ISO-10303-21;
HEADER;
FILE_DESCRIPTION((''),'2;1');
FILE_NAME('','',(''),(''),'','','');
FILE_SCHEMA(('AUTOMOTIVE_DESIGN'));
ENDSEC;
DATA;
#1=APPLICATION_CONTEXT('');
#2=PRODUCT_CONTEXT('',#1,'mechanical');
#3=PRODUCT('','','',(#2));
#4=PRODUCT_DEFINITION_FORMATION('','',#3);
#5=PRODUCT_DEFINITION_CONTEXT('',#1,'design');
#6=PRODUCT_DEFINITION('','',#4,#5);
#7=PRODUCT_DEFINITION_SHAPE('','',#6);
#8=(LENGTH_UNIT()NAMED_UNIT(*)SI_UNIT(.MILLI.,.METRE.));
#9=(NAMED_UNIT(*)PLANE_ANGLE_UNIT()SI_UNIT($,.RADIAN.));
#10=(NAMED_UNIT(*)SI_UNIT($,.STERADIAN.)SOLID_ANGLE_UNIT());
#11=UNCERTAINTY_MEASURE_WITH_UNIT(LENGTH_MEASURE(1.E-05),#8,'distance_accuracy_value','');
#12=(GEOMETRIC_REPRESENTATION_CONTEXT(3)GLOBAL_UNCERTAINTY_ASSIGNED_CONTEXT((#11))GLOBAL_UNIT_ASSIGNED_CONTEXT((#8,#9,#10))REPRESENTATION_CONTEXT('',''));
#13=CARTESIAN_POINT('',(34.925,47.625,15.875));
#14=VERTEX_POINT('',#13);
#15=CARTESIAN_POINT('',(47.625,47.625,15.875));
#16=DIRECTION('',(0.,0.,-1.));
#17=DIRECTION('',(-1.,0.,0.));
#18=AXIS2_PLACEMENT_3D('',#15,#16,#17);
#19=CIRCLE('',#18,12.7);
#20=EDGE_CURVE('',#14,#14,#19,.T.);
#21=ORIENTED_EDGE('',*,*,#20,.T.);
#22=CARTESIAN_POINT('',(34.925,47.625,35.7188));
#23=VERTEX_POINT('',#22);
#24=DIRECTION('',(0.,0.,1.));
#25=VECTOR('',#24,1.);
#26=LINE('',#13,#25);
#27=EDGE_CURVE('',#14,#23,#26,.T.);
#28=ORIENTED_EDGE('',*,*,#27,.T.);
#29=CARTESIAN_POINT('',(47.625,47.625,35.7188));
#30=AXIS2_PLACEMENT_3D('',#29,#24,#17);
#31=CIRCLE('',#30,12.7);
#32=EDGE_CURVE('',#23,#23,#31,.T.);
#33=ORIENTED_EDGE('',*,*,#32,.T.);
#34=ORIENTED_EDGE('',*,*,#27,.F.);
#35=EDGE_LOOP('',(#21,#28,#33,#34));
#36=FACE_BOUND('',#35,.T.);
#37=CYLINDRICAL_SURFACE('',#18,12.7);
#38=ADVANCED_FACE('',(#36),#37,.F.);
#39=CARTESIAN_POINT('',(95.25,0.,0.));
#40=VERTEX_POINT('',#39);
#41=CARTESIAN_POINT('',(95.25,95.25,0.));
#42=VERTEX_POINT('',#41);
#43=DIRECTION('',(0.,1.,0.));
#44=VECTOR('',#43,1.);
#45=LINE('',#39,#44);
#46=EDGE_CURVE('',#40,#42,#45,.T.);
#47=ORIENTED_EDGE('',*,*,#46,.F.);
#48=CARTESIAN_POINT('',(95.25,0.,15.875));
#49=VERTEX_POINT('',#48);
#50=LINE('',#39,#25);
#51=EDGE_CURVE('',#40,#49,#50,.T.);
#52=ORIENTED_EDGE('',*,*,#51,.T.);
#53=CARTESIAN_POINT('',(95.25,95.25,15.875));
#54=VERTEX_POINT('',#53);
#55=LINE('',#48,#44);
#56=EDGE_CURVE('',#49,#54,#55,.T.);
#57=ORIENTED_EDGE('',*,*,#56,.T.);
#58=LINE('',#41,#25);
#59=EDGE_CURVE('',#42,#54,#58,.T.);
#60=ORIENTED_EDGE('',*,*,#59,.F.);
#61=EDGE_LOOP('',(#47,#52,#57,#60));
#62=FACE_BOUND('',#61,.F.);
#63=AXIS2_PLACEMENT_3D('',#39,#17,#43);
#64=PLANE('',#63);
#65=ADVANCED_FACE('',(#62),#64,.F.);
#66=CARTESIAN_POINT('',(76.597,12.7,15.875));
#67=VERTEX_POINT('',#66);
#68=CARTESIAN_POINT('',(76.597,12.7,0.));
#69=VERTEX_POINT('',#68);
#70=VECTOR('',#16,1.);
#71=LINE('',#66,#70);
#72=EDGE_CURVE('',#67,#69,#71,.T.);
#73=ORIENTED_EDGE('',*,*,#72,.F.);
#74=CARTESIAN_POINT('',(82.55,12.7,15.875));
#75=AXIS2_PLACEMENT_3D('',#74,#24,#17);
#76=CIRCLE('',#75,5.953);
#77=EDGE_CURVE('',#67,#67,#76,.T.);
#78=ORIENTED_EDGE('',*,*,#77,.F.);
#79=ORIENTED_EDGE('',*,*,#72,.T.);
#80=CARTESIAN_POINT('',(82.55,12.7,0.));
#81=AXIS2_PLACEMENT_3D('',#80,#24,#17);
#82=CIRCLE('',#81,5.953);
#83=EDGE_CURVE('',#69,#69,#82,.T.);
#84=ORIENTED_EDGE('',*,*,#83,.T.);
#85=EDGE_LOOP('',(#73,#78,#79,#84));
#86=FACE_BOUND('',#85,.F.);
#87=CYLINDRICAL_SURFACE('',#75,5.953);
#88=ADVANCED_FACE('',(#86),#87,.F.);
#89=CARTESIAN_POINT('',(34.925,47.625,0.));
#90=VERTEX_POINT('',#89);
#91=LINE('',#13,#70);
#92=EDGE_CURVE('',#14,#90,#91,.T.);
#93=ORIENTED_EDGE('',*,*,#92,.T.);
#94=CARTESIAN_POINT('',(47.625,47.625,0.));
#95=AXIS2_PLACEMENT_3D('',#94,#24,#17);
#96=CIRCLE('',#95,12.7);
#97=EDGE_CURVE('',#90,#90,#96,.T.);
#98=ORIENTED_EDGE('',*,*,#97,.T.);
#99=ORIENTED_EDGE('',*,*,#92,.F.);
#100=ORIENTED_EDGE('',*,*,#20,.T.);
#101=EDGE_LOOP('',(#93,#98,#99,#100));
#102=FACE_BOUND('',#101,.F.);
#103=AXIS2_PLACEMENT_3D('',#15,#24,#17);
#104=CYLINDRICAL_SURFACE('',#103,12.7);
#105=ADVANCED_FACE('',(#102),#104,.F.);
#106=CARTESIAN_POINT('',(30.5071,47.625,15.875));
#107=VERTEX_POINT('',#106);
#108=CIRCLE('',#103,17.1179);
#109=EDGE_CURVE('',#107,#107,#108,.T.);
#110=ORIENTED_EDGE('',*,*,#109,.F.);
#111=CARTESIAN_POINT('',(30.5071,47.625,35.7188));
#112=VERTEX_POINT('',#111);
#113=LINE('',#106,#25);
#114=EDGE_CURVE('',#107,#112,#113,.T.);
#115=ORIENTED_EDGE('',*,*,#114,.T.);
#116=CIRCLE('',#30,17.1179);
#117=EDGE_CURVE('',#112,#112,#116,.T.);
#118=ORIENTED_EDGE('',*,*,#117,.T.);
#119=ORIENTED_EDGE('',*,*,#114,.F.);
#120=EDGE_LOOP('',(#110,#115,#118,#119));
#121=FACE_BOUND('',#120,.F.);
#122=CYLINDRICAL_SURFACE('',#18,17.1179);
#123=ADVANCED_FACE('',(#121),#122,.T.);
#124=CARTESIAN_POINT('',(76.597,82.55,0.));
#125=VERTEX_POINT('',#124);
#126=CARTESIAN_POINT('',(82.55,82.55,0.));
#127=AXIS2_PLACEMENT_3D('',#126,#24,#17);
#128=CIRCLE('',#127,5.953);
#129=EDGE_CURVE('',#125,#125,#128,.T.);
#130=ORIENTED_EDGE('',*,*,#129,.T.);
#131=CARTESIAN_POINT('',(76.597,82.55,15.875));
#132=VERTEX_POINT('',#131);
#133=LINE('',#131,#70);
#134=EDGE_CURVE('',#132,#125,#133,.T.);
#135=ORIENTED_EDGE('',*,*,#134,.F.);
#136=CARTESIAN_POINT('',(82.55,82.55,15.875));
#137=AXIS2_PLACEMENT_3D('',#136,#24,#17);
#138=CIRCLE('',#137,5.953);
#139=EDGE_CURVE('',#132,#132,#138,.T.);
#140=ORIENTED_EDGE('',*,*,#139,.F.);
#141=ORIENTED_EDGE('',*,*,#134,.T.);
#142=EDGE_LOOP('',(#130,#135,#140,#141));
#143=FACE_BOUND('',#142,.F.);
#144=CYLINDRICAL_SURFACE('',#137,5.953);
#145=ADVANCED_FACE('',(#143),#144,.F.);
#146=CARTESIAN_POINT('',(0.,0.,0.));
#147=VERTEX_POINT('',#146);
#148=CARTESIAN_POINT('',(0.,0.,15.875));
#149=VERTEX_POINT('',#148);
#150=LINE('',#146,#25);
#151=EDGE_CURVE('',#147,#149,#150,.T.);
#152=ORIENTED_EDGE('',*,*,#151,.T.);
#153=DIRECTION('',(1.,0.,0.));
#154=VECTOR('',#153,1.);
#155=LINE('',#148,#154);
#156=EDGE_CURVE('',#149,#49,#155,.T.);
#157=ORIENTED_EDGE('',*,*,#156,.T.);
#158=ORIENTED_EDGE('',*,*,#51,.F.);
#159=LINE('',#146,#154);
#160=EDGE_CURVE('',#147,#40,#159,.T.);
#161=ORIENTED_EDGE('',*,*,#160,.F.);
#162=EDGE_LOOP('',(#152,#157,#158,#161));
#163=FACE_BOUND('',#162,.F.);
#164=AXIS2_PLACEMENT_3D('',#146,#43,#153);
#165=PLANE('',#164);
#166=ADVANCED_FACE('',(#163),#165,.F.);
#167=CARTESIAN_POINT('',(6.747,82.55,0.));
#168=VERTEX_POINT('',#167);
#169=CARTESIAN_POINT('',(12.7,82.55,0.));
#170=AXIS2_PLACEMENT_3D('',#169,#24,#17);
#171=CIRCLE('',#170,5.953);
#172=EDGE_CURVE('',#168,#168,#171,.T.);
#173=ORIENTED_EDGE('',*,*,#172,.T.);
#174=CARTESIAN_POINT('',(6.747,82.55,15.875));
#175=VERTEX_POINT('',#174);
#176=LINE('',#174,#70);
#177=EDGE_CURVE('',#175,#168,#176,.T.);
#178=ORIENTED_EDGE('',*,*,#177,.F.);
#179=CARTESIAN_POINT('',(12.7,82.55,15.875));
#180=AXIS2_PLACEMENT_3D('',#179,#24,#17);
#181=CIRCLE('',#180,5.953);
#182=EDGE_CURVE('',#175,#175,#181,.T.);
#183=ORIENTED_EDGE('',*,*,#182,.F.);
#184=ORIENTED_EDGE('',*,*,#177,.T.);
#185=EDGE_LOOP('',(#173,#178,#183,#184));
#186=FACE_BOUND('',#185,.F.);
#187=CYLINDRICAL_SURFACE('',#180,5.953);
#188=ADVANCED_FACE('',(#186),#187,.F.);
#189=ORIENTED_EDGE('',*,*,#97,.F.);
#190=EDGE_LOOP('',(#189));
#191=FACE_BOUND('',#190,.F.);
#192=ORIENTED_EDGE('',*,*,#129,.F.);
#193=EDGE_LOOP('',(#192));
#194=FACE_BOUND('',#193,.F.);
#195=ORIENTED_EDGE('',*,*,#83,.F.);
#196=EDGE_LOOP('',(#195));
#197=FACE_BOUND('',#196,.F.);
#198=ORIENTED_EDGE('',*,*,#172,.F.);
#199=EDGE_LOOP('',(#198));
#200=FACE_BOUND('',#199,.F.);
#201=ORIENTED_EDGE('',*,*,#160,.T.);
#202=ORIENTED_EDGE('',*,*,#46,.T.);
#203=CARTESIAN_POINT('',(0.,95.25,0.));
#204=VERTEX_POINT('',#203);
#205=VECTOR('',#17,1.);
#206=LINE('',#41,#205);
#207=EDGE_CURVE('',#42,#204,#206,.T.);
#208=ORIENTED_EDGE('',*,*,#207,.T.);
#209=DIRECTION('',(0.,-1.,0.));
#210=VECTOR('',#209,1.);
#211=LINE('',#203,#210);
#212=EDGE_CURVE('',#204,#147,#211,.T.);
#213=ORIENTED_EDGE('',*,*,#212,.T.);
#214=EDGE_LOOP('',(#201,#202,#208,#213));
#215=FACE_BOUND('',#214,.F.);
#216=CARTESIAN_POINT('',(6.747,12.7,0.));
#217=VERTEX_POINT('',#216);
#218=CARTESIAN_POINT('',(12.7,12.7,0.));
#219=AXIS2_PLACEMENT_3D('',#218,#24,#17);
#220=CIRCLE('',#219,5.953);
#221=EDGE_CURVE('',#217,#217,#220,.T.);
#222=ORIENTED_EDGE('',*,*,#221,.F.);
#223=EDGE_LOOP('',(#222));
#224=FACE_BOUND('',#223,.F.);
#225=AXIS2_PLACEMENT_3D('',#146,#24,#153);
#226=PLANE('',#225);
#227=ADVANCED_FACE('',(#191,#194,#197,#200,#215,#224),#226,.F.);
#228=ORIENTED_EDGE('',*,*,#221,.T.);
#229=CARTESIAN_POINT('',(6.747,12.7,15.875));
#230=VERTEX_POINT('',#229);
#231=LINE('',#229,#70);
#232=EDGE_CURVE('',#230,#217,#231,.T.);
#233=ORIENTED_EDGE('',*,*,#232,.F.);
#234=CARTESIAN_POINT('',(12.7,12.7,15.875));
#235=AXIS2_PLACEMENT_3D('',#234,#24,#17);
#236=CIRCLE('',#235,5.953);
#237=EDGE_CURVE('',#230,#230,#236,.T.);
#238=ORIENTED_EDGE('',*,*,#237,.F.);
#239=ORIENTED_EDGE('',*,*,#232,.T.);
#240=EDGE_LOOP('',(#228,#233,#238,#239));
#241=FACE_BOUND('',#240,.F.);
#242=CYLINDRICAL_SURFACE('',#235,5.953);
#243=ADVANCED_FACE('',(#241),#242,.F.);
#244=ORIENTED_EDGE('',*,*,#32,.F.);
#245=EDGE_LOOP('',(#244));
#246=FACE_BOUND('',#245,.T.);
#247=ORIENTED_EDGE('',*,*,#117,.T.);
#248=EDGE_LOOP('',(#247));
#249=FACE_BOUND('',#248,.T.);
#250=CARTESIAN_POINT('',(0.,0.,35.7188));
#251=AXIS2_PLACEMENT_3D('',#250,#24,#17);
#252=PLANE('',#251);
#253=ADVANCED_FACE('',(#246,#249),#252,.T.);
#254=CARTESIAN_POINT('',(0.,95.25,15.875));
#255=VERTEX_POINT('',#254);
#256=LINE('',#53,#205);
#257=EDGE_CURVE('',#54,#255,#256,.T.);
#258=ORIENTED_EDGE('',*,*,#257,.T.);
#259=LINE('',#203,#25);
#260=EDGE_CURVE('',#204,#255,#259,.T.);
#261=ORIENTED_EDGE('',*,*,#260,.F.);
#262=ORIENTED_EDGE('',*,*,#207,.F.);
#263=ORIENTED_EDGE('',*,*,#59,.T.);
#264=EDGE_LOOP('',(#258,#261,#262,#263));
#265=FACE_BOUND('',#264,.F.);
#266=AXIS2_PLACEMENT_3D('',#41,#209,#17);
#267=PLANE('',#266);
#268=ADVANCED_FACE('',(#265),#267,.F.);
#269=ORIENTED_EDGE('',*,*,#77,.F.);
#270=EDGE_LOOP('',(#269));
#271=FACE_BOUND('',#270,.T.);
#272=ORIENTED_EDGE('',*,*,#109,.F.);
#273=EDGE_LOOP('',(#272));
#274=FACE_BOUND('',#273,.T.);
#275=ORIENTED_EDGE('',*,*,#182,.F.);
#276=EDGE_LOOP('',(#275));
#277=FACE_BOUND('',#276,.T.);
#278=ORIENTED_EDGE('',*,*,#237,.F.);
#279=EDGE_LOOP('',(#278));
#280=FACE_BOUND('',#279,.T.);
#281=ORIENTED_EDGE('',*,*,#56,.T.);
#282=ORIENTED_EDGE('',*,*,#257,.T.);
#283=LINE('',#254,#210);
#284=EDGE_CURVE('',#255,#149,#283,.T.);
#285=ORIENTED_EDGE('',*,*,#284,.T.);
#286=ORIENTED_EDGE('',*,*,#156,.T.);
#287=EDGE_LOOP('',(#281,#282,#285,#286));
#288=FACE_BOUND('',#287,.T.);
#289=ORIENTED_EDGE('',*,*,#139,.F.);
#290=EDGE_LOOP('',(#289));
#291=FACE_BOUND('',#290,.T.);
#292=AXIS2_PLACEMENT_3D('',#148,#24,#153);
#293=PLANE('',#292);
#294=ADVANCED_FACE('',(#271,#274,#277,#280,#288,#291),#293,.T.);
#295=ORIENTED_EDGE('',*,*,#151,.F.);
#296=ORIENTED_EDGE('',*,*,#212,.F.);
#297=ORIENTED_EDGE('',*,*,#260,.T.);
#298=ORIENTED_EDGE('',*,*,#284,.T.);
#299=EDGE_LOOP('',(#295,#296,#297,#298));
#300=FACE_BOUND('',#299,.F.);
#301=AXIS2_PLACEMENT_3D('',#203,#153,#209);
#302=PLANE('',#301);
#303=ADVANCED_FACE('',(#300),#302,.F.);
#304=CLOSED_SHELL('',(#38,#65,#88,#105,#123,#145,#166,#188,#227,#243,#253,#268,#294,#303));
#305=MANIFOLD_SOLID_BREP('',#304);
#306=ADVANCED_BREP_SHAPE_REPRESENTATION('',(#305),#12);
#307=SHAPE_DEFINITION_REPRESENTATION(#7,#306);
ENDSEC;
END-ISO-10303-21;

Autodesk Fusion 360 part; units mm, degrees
sketch "Sketch4" plane through (0, 0, 0) normal (0, 0, 1) x (1, 0, 0)
  line L0 (0, 0) -> (95.25, 0)
  line L1 (95.25, 0) -> (95.25, 95.25)
  line L2 (95.25, 95.25) -> (0, 95.25)
  line L3 (0, 95.25) -> (0, 0)
  dimension "d17" = 95.25
  dimension "d18" = 95.25
extrude "Extrude4" add sketch "Sketch4" along normal blind 15.875
sketch "Sketch5" plane through (0, 0, 15.875) normal (0, 0, 1) x (-1, 0, 0)
  line L0 (0, -95.25) -> (0, 0)
  line L1 (0, 0) -> (-95.25, 0)
  line L2 (-95.25, 0) -> (-95.25, -95.25)
  line L3 (-95.25, -95.25) -> (0, -95.25)
  line L4 (0, -95.25) -> (-47.625, -95.25)
  line L5 (-47.625, -95.25) -> (-47.625, -47.625)
  line L6 (-47.625, -47.625) -> (0, -47.625)
  line L7 (0, -47.625) -> (0, -95.25)
  circle A0 centre (-47.625, -47.625) radius 12.7
  dimension "d21" = 47.625
  dimension "d22" = 47.625
  dimension "d23" = 25.4
extrude "Extrude5" cut sketch "Sketch5" against normal blind 25 contours L5 L6 A0 | L5 L6 A0
sketch "Sketch6" plane through (0, 0, 15.875) normal (0, 0, 1) x (-1, 0, 0)
  circle A0 centre (-47.625, -47.625) radius 12.7
  line L0 (0, -95.25) -> (0, 0)
  line L1 (0, 0) -> (-95.25, 0)
  line L2 (-95.25, 0) -> (-95.25, -95.25)
  line L3 (-95.25, -95.25) -> (0, -95.25)
  circle A1 centre (-47.625, -47.625) radius 17.1179
extrude "Extrude6" add sketch "Sketch6" along normal blind 19.8438 contours A1
sketch "Sketch7" plane through (0, 0, 15.875) normal (0, 0, 1) x (-1, 0, 0)
  circle A0 centre (-47.625, -47.625) radius 17.1179
  line L0 (0, -95.25) -> (0, 0)
  line L1 (0, 0) -> (-95.25, 0)
  line L2 (-95.25, 0) -> (-95.25, -95.25)
  line L3 (-95.25, -95.25) -> (0, -95.25)
  circle A1 centre (-47.625, -47.625) radius 34.925
  line L4 (-47.625, -95.25) -> (-47.625, -82.55)
  line L5 (0, -50) -> (-12.7808, -50)
  line L6 (0, -95.25) -> (-12.7, -95.25)
  line L7 (-12.7, -95.25) -> (-12.7, -82.55)
  line L8 (-12.7, -82.55) -> (0, -82.55)
  line L9 (0, -82.55) -> (0, -95.25)
  line L10 (-95.25, -95.25) -> (-82.55, -95.25)
  line L11 (-82.55, -95.25) -> (-82.55, -82.55)
  line L12 (-82.55, -82.55) -> (-95.25, -82.55)
  line L13 (-95.25, -82.55) -> (-95.25, -95.25)
  line L14 (0, 0) -> (-12.7, 0)
  line L15 (-12.7, 0) -> (-12.7, -12.7)
  line L16 (-12.7, -12.7) -> (0, -12.7)
  line L17 (0, -12.7) -> (0, 0)
  line L18 (-95.25, 0) -> (-82.55, 0)
  line L19 (-82.55, 0) -> (-82.55, -12.7)
  line L20 (-82.55, -12.7) -> (-95.25, -12.7)
  line L21 (-95.25, -12.7) -> (-95.25, 0)
  circle A2 centre (-12.7, -82.55) radius 4.7625
  circle A3 centre (-82.55, -82.55) radius 4.7625
  circle A4 centre (-12.7, -12.7) radius 4.7625
  circle A5 centre (-82.55, -12.7) radius 4.7625
  dimension "d28" = 69.85
  dimension "d29" = 12.7
  dimension "d30" = 12.7
  dimension "d31" = 12.7
  dimension "d32" = 12.7
  dimension "d33" = 12.7
  dimension "d34" = 12.7
  dimension "d35" = 12.7
  dimension "d36" = 12.7
  dimension "d37" = 9.525
  dimension "d38" = 9.525
  dimension "d39" = 9.525
  dimension "d40" = 9.525
extrude "Extrude7" cut sketch "Sketch7" against normal blind 30 contours L7 L8 A2 | L7 L8 A2 | L15 L16 A4 | L15 L16 A4 | L11 L12 A3 | L11 L12 A3 | L19 L20 A5 | L19 L20 A5
sketch "Sketch8" plane through (0, 0, 15.875) normal (0, 0, 1) x (-1, 0, 0)
  circle A0 centre (-12.7, -12.7) radius 4.7625
  circle A1 centre (-82.55, -12.7) radius 4.7625
  circle A2 centre (-12.7, -82.55) radius 4.7625
  circle A3 centre (-82.55, -82.55) radius 4.7625
  circle A4 centre (-47.625, -47.625) radius 17.1179
  line L0 (0, -95.25) -> (0, 0)
  line L1 (0, 0) -> (-95.25, 0)
  line L2 (-95.25, 0) -> (-95.25, -95.25)
  line L3 (-95.25, -95.25) -> (0, -95.25)
  circle A5 centre (-12.7, -12.7) radius 5.953
  circle A6 centre (-12.7, -82.55) radius 5.953
  circle A7 centre (-82.55, -82.55) radius 5.953
  circle A8 centre (-82.55, -12.7) radius 5.953
  dimension "d43" = 11.906
  dimension "d44" = 11.906
  dimension "d45" = 11.906
  dimension "d46" = 11.906
extrude "Extrude8" cut sketch "Sketch8" against normal blind 35 contours A5 | A6 | A7 | A8
equation "d21 = ( 95.25 / 2 ) * 1 mm"
equation "d22 = ( 95.25 / 2 ) * 1 mm"
equation "d23 = ( 12.7 * 2 ) * 1 mm"
